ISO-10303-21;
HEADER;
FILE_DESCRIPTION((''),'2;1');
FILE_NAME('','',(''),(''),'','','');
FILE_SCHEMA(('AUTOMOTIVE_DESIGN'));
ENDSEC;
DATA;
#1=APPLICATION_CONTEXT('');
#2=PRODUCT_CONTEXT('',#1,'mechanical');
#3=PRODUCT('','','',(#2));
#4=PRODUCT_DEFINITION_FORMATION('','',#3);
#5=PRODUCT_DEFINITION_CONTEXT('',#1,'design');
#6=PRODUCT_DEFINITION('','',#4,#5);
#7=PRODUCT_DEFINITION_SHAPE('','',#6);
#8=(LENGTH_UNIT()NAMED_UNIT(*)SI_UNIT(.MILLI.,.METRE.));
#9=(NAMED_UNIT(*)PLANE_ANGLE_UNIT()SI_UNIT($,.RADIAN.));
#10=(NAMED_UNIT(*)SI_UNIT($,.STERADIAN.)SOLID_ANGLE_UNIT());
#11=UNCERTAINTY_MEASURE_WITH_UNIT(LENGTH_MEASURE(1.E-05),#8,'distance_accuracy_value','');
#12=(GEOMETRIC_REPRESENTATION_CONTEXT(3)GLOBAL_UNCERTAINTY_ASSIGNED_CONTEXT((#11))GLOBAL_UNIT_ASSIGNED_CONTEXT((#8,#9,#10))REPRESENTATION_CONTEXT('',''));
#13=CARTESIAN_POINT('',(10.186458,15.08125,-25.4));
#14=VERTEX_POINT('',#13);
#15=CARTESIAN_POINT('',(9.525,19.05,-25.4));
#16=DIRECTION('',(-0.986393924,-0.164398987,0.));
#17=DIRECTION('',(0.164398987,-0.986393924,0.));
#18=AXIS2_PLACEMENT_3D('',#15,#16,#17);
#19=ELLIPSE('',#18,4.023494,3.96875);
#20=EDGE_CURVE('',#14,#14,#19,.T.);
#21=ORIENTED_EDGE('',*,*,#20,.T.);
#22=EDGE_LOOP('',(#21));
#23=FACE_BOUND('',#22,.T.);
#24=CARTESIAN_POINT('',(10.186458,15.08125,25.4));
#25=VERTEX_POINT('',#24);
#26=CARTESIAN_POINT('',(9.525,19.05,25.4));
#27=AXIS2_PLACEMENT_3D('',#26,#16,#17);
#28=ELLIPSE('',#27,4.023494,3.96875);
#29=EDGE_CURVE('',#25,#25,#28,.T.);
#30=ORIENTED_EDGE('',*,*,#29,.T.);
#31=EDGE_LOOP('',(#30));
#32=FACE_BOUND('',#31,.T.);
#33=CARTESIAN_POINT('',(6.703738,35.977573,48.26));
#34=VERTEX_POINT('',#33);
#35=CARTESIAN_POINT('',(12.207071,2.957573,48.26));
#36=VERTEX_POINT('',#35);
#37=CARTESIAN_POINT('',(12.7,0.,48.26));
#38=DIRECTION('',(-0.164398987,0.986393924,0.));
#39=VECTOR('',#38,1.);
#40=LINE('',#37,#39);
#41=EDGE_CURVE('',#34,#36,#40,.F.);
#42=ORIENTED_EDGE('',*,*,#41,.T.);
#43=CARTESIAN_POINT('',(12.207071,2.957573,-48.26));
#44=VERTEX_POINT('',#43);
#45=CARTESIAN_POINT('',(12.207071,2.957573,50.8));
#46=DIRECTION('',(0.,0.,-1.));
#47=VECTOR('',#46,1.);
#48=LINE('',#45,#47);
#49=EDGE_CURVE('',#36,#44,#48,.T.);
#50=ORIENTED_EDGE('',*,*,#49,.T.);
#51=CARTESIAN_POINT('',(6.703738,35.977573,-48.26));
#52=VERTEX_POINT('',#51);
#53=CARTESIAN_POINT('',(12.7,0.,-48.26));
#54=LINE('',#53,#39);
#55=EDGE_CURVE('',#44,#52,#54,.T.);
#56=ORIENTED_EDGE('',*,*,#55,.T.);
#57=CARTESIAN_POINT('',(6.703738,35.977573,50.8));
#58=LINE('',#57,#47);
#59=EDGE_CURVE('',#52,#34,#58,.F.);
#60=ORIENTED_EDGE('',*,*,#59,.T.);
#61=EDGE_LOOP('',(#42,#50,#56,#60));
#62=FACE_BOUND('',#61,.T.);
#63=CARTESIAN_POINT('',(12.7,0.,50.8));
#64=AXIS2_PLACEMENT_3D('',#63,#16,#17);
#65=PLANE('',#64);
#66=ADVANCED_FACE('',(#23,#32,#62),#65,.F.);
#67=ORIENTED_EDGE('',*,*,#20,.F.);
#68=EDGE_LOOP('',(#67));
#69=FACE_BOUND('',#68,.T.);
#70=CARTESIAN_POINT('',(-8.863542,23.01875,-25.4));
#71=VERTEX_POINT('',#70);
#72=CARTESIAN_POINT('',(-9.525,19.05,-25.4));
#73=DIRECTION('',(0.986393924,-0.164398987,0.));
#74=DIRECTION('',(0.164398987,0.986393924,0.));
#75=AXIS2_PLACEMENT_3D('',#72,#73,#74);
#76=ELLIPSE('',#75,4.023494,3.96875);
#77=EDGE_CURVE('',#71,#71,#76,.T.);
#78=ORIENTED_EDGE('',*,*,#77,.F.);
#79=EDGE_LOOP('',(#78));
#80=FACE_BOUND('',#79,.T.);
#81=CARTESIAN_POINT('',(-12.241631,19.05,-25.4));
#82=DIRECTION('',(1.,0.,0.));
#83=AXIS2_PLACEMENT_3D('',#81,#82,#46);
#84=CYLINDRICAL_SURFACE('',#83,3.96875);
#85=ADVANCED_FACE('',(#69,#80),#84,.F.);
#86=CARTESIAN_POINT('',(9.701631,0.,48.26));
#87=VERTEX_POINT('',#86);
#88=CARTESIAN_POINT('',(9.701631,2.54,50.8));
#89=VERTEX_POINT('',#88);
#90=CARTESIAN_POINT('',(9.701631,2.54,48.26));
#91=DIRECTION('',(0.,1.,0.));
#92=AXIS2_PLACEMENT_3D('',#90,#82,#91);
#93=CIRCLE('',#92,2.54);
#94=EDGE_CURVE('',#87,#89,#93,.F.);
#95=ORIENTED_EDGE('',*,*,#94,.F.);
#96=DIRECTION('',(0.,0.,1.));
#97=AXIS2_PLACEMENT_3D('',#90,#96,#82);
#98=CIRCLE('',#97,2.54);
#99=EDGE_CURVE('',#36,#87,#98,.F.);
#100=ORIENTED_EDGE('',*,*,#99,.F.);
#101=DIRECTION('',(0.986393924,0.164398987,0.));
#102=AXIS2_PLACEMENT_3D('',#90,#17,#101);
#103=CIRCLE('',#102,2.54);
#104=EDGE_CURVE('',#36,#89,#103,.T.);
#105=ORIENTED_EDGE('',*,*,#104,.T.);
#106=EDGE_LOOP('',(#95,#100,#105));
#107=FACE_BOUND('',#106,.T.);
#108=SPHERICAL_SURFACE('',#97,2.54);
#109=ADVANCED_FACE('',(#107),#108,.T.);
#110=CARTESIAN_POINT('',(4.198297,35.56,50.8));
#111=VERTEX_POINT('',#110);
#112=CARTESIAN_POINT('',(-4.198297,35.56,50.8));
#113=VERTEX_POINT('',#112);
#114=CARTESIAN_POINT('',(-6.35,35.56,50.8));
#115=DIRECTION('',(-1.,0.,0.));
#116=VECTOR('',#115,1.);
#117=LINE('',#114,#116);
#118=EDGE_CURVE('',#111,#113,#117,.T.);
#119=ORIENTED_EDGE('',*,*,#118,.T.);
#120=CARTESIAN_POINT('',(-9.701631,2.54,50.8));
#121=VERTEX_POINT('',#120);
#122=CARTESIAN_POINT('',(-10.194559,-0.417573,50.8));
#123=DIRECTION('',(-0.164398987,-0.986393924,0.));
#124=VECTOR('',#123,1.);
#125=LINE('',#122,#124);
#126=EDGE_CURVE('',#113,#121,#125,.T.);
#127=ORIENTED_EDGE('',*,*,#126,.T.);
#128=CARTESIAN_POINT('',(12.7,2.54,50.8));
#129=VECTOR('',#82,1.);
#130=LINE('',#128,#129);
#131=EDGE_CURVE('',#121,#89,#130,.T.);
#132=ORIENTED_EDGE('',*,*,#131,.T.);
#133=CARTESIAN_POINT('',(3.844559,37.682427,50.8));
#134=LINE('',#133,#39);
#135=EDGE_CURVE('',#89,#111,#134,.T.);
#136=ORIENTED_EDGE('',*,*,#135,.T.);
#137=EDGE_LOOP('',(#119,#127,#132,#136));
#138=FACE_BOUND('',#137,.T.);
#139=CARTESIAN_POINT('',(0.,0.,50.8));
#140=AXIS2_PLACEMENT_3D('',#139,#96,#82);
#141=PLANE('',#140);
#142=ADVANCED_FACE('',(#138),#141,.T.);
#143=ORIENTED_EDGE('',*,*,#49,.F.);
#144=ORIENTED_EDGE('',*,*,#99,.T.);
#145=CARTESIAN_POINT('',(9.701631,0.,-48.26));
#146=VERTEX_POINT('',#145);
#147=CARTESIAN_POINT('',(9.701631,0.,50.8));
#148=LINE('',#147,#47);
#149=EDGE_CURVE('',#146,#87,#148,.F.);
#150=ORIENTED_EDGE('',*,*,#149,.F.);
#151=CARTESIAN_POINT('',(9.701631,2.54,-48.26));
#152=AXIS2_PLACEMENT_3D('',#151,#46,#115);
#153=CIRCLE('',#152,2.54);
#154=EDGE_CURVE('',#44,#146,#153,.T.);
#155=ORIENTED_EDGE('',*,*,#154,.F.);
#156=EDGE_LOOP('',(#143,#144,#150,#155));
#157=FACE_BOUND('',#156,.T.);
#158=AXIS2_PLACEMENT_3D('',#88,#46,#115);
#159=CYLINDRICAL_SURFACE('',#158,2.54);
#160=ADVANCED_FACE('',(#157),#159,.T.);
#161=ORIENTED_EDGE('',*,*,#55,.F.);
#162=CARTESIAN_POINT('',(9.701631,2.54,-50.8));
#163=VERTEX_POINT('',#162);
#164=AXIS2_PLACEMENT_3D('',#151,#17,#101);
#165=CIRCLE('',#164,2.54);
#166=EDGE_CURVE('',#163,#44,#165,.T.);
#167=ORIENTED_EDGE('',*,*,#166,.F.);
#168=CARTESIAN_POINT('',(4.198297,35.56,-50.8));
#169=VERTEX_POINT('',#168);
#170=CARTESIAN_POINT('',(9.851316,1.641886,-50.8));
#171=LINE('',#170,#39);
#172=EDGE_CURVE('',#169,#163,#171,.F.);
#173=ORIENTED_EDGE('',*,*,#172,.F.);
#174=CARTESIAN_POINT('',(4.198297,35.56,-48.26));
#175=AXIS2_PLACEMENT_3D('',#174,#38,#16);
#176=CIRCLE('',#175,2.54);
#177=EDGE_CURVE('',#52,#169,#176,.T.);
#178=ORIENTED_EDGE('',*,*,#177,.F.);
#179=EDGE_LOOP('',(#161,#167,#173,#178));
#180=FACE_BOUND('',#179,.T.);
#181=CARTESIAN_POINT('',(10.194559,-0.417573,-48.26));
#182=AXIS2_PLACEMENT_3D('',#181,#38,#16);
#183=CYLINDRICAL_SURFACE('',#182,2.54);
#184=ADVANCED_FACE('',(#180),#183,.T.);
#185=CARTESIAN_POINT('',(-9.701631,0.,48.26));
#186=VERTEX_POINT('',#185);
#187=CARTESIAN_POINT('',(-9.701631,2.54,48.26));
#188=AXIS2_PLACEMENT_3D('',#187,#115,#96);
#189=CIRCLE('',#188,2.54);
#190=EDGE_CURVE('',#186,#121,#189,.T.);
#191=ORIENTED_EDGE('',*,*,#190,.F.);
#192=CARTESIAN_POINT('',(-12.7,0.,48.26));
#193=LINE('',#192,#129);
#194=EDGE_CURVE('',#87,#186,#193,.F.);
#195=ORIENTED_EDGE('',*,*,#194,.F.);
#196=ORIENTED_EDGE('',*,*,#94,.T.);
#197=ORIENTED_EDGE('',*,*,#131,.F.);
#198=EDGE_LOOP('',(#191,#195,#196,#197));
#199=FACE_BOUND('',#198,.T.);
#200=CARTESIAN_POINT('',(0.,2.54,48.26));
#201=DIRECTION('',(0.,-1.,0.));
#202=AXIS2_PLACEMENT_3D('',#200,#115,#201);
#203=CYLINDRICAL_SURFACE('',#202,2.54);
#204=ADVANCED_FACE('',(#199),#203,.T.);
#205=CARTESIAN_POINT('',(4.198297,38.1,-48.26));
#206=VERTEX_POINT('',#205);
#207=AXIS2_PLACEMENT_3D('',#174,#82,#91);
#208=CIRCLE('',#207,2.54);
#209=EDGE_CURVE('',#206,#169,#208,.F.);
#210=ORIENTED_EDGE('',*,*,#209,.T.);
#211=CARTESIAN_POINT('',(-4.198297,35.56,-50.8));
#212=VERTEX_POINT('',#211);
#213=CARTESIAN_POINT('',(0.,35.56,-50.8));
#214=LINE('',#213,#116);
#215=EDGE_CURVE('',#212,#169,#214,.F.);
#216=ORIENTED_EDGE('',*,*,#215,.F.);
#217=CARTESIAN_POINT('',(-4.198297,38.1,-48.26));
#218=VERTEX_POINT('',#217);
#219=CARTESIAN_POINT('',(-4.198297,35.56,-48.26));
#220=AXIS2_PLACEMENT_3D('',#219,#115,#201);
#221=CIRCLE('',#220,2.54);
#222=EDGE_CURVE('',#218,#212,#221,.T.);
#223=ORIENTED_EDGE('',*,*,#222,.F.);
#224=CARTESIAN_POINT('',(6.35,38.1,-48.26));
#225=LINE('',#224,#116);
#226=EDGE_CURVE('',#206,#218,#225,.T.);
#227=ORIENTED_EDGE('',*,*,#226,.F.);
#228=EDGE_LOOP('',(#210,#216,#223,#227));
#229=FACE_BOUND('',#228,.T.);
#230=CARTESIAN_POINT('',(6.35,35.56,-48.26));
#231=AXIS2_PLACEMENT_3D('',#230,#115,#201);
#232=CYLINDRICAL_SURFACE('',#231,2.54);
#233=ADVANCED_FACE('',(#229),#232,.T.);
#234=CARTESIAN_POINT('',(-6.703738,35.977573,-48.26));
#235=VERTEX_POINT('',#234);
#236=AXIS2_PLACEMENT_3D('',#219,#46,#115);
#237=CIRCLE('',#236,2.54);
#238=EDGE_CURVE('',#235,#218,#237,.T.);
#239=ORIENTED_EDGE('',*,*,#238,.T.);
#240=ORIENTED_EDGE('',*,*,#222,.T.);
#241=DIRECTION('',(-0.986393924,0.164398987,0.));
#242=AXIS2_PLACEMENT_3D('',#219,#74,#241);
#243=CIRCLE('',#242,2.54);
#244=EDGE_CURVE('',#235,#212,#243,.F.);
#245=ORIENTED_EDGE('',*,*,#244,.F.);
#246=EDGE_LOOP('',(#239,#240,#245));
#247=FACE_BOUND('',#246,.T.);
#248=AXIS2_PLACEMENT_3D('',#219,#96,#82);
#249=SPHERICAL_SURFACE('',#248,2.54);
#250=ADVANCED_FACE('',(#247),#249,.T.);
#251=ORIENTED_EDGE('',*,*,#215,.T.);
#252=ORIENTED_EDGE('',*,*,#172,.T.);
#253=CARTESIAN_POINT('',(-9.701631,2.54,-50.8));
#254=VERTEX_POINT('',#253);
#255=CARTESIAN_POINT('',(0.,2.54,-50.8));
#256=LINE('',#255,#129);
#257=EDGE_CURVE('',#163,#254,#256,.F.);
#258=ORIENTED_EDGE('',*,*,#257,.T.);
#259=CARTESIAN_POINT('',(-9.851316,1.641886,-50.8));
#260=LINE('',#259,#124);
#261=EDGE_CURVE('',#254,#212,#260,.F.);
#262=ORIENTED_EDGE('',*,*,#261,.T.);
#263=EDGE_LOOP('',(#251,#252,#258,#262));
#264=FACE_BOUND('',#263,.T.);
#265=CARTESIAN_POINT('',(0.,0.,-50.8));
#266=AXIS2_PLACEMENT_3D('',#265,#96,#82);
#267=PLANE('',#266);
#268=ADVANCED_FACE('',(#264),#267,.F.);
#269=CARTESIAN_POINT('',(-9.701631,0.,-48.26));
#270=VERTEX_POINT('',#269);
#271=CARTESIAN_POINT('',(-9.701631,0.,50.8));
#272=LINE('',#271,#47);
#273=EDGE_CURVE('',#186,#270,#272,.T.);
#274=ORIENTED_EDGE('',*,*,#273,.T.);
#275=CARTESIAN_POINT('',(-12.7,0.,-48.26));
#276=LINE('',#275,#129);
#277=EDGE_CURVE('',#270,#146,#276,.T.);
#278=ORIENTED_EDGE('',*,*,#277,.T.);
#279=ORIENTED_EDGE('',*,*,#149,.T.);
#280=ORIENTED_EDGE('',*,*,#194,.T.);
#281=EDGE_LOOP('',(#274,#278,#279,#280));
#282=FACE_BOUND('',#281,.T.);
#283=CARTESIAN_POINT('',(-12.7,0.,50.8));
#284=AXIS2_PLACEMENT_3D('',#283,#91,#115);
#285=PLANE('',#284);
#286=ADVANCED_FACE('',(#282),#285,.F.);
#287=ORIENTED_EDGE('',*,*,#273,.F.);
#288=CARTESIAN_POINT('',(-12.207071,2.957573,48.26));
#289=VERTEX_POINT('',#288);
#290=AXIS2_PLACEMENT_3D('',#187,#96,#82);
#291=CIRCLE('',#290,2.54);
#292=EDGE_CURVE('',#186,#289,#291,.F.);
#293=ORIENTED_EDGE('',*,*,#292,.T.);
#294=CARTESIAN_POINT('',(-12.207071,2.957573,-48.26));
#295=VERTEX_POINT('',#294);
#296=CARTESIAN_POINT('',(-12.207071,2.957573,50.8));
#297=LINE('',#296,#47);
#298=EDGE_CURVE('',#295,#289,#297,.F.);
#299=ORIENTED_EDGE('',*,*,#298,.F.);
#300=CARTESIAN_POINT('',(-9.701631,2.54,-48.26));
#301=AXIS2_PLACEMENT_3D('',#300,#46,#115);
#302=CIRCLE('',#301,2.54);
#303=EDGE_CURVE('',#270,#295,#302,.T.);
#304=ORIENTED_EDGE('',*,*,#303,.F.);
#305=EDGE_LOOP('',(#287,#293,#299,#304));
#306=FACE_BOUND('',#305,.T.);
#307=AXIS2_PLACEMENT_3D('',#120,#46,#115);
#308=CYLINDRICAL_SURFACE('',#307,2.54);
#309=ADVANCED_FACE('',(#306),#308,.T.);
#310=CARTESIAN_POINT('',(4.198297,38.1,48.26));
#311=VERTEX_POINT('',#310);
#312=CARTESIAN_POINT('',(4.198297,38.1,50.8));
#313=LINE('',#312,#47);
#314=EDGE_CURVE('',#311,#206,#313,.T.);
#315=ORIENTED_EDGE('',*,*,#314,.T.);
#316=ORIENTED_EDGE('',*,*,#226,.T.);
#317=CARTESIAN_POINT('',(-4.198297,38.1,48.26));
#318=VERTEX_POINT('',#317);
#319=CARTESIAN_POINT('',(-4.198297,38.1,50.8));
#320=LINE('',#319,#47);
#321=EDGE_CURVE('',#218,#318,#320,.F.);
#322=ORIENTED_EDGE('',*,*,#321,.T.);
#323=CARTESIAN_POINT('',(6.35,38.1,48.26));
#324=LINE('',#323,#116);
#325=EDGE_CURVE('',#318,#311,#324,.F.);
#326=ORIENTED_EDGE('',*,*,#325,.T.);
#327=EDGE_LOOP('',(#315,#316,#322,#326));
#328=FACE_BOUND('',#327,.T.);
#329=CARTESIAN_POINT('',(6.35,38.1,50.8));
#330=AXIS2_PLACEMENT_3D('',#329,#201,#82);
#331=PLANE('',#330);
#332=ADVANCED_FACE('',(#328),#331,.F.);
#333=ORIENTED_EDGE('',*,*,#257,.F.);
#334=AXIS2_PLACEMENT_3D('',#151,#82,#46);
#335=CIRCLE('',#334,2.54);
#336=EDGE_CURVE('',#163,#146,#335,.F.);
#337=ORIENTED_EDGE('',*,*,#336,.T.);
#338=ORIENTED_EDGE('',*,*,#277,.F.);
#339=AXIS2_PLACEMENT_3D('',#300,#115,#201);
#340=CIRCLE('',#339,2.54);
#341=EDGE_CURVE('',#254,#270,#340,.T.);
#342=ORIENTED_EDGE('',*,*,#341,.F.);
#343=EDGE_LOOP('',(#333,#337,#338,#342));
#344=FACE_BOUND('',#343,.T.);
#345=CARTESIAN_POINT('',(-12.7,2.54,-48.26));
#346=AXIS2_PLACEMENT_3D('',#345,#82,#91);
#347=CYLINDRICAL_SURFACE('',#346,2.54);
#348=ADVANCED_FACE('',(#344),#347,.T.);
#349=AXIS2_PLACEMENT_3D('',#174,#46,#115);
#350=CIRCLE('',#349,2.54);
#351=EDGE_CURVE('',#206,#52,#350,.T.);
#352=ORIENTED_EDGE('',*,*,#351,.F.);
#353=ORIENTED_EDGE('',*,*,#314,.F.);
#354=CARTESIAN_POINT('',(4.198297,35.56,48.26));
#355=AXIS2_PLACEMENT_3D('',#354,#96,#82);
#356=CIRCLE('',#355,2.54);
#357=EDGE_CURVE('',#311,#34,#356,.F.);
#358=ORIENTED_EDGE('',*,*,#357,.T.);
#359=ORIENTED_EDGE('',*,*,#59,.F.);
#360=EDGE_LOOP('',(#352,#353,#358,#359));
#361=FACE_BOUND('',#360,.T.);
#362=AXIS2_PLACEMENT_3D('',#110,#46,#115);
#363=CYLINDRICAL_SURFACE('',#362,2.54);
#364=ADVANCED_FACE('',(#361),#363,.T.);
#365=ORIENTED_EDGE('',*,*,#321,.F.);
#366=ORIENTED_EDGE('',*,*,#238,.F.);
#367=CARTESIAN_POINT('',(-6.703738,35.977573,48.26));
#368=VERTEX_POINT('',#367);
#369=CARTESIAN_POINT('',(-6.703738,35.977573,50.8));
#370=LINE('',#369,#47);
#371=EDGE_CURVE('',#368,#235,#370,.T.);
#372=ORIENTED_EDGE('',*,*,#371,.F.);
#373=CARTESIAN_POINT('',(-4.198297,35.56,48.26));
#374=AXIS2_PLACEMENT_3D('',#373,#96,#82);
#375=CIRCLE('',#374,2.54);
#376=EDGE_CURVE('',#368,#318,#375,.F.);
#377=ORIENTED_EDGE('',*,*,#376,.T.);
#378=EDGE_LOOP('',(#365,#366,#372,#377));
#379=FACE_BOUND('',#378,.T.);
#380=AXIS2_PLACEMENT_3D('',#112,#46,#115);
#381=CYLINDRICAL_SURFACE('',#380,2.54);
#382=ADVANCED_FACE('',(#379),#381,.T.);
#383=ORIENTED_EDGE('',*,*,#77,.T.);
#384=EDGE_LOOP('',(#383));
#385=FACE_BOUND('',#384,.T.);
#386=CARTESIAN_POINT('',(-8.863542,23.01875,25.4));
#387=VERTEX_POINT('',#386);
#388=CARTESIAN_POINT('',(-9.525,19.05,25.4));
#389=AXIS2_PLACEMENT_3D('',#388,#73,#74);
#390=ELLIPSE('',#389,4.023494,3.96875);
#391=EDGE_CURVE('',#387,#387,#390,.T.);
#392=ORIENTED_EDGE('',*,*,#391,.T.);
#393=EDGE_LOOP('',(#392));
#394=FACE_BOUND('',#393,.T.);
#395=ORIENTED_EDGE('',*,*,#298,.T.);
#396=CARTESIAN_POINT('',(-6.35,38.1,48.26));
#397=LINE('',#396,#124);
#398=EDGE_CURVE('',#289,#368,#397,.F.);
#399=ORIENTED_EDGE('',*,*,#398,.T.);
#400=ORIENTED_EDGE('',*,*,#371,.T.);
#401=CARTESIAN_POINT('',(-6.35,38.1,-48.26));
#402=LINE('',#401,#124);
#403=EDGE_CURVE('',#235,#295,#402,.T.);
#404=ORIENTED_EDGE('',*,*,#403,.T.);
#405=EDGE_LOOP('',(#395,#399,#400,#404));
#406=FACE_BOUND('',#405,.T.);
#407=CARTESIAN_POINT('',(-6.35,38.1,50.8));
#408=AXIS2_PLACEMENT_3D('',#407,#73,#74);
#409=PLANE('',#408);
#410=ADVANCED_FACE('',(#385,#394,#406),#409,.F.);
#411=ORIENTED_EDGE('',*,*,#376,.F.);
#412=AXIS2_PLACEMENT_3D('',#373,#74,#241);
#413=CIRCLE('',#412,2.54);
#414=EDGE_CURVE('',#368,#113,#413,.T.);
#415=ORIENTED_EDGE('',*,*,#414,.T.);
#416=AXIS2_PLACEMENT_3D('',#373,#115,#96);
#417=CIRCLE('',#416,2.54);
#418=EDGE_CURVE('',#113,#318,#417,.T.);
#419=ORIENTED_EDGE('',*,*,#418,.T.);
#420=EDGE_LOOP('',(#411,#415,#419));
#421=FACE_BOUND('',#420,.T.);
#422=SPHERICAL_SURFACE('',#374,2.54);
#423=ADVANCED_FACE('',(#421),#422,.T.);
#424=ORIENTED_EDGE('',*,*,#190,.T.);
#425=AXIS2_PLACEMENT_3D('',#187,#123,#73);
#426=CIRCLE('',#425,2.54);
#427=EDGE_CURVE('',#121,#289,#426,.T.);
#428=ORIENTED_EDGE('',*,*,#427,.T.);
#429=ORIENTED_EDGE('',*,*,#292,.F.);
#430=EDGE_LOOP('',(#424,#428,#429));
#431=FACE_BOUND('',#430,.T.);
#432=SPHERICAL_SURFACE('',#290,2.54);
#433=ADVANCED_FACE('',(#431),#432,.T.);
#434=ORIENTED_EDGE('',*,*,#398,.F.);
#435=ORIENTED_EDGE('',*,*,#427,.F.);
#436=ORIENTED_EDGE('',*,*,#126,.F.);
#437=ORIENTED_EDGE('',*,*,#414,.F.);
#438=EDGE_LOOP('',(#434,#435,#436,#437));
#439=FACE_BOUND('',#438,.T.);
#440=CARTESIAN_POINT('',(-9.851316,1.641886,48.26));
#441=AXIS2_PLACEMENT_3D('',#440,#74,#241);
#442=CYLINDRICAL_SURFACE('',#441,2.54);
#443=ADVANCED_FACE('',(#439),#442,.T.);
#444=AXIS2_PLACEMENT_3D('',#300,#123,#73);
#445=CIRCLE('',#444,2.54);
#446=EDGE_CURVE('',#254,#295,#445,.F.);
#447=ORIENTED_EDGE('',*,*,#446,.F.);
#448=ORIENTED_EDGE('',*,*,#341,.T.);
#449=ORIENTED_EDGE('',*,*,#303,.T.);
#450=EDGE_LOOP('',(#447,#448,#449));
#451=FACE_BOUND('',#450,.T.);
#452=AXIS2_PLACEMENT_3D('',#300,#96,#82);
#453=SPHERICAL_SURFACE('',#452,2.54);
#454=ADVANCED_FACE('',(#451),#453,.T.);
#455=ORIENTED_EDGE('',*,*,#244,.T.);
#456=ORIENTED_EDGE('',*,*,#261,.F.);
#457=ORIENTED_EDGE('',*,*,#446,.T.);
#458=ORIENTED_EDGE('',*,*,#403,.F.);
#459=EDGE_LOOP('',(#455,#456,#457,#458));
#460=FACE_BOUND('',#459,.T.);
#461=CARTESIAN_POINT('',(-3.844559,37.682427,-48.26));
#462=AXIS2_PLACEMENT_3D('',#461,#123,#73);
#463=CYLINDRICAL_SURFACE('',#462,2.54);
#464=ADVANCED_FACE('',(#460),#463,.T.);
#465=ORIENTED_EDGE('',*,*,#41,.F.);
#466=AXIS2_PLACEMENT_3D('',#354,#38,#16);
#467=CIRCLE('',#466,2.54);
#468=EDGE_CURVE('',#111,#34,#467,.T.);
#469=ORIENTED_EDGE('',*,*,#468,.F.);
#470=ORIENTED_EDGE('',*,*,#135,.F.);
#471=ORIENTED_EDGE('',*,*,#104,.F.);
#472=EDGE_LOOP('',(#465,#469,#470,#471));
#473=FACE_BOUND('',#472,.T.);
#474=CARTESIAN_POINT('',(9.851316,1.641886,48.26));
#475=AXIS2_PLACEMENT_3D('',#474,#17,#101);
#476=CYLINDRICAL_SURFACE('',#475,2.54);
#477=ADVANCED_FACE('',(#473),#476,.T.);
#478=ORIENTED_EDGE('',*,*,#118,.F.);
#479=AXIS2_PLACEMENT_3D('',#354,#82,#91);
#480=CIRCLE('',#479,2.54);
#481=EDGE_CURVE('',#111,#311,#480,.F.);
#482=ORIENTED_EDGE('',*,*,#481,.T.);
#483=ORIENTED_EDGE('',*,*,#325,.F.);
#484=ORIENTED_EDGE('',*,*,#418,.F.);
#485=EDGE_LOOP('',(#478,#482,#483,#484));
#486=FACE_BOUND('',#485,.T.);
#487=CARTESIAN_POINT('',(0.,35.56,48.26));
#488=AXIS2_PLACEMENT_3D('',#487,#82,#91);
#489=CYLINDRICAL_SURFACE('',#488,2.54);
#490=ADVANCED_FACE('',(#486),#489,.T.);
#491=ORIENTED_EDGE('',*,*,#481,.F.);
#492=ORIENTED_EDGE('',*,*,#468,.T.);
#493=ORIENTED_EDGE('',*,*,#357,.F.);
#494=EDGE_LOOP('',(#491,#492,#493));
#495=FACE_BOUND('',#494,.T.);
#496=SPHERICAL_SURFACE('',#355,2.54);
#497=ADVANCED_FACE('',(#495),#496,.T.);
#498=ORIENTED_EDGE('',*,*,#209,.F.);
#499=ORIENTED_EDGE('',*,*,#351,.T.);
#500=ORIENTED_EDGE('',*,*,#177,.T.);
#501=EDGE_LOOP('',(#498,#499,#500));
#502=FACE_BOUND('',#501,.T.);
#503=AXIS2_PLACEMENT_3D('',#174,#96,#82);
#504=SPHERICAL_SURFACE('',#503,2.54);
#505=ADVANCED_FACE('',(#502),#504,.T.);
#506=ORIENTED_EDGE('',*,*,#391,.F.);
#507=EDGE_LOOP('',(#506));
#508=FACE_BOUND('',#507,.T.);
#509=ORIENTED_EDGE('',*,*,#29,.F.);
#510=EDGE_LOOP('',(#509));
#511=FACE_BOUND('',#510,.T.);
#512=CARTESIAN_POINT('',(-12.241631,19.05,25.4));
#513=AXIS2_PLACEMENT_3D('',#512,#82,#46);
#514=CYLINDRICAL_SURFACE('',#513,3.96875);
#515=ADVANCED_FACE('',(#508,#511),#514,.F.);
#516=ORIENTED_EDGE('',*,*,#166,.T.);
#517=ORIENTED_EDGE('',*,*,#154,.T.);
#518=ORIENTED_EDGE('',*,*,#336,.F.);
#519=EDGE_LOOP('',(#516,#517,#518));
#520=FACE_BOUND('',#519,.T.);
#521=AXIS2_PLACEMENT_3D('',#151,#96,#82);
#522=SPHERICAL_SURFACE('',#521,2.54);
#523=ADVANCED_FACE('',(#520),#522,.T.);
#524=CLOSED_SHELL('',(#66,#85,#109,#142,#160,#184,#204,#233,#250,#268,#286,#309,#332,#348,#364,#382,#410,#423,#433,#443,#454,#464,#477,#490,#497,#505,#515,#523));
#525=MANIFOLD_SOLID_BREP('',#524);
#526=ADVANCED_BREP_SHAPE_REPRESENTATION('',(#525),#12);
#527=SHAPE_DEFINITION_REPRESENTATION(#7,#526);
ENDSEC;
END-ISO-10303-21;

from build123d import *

# Parameters (mm, degrees)
BOSS_EXTRUDE1_DEPTH     = 50.8
FILLET1_R               = 2.54
SKETCH4_R               = 3.96875
CUT_EXTRUDE1_DEPTH      = 13.241630529
CUT_EXTRUDE1_DEPTH_BACK = 13.241630529


with BuildPart() as part:
    # Sketch3 → Boss-Extrude1 (new body, symmetric)
    with BuildSketch(Plane.XY):
        Polygon((-12.7, 0), (12.7, 0), (6.35, 38.1), (-6.35, 38.1), align=None)
    extrude(amount=BOSS_EXTRUDE1_DEPTH, both=True)

    # Fillet1
    fillet1_edges = [part.edges().sort_by_distance(p)[0] for p in [
        (0, 0, 50.8),
        (9.525, 19.05, 50.8),
        (0, 38.1, 50.8),
        (9.525, 19.05, -50.8),
        (0, 0, -50.8),
        (-9.525, 19.05, -50.8),
        (0, 38.1, -50.8),
        (-9.525, 19.05, 50.8),
        (6.35, 38.1, 0),
        (12.7, 0, 0),
        (-12.7, 0, 0),
        (-6.35, 38.1, 0),
    ]]
    fillet(fillet1_edges, radius=FILLET1_R)

    # Sketch4 → Cut-Extrude1 (cut, two sides)
    with BuildSketch(Plane(origin=(0, 0, 0), x_dir=(0, 0, -1), z_dir=(1, 0, 0))) as cut_extrude1_sk:
        with Locations((-25.4, 19.05)):
            Circle(SKETCH4_R)
        with Locations((25.4, 19.05)):
            Circle(SKETCH4_R)
    extrude(amount=CUT_EXTRUDE1_DEPTH, mode=Mode.SUBTRACT)
    extrude(cut_extrude1_sk.sketch, amount=-CUT_EXTRUDE1_DEPTH_BACK, mode=Mode.SUBTRACT)


solid = part.part
